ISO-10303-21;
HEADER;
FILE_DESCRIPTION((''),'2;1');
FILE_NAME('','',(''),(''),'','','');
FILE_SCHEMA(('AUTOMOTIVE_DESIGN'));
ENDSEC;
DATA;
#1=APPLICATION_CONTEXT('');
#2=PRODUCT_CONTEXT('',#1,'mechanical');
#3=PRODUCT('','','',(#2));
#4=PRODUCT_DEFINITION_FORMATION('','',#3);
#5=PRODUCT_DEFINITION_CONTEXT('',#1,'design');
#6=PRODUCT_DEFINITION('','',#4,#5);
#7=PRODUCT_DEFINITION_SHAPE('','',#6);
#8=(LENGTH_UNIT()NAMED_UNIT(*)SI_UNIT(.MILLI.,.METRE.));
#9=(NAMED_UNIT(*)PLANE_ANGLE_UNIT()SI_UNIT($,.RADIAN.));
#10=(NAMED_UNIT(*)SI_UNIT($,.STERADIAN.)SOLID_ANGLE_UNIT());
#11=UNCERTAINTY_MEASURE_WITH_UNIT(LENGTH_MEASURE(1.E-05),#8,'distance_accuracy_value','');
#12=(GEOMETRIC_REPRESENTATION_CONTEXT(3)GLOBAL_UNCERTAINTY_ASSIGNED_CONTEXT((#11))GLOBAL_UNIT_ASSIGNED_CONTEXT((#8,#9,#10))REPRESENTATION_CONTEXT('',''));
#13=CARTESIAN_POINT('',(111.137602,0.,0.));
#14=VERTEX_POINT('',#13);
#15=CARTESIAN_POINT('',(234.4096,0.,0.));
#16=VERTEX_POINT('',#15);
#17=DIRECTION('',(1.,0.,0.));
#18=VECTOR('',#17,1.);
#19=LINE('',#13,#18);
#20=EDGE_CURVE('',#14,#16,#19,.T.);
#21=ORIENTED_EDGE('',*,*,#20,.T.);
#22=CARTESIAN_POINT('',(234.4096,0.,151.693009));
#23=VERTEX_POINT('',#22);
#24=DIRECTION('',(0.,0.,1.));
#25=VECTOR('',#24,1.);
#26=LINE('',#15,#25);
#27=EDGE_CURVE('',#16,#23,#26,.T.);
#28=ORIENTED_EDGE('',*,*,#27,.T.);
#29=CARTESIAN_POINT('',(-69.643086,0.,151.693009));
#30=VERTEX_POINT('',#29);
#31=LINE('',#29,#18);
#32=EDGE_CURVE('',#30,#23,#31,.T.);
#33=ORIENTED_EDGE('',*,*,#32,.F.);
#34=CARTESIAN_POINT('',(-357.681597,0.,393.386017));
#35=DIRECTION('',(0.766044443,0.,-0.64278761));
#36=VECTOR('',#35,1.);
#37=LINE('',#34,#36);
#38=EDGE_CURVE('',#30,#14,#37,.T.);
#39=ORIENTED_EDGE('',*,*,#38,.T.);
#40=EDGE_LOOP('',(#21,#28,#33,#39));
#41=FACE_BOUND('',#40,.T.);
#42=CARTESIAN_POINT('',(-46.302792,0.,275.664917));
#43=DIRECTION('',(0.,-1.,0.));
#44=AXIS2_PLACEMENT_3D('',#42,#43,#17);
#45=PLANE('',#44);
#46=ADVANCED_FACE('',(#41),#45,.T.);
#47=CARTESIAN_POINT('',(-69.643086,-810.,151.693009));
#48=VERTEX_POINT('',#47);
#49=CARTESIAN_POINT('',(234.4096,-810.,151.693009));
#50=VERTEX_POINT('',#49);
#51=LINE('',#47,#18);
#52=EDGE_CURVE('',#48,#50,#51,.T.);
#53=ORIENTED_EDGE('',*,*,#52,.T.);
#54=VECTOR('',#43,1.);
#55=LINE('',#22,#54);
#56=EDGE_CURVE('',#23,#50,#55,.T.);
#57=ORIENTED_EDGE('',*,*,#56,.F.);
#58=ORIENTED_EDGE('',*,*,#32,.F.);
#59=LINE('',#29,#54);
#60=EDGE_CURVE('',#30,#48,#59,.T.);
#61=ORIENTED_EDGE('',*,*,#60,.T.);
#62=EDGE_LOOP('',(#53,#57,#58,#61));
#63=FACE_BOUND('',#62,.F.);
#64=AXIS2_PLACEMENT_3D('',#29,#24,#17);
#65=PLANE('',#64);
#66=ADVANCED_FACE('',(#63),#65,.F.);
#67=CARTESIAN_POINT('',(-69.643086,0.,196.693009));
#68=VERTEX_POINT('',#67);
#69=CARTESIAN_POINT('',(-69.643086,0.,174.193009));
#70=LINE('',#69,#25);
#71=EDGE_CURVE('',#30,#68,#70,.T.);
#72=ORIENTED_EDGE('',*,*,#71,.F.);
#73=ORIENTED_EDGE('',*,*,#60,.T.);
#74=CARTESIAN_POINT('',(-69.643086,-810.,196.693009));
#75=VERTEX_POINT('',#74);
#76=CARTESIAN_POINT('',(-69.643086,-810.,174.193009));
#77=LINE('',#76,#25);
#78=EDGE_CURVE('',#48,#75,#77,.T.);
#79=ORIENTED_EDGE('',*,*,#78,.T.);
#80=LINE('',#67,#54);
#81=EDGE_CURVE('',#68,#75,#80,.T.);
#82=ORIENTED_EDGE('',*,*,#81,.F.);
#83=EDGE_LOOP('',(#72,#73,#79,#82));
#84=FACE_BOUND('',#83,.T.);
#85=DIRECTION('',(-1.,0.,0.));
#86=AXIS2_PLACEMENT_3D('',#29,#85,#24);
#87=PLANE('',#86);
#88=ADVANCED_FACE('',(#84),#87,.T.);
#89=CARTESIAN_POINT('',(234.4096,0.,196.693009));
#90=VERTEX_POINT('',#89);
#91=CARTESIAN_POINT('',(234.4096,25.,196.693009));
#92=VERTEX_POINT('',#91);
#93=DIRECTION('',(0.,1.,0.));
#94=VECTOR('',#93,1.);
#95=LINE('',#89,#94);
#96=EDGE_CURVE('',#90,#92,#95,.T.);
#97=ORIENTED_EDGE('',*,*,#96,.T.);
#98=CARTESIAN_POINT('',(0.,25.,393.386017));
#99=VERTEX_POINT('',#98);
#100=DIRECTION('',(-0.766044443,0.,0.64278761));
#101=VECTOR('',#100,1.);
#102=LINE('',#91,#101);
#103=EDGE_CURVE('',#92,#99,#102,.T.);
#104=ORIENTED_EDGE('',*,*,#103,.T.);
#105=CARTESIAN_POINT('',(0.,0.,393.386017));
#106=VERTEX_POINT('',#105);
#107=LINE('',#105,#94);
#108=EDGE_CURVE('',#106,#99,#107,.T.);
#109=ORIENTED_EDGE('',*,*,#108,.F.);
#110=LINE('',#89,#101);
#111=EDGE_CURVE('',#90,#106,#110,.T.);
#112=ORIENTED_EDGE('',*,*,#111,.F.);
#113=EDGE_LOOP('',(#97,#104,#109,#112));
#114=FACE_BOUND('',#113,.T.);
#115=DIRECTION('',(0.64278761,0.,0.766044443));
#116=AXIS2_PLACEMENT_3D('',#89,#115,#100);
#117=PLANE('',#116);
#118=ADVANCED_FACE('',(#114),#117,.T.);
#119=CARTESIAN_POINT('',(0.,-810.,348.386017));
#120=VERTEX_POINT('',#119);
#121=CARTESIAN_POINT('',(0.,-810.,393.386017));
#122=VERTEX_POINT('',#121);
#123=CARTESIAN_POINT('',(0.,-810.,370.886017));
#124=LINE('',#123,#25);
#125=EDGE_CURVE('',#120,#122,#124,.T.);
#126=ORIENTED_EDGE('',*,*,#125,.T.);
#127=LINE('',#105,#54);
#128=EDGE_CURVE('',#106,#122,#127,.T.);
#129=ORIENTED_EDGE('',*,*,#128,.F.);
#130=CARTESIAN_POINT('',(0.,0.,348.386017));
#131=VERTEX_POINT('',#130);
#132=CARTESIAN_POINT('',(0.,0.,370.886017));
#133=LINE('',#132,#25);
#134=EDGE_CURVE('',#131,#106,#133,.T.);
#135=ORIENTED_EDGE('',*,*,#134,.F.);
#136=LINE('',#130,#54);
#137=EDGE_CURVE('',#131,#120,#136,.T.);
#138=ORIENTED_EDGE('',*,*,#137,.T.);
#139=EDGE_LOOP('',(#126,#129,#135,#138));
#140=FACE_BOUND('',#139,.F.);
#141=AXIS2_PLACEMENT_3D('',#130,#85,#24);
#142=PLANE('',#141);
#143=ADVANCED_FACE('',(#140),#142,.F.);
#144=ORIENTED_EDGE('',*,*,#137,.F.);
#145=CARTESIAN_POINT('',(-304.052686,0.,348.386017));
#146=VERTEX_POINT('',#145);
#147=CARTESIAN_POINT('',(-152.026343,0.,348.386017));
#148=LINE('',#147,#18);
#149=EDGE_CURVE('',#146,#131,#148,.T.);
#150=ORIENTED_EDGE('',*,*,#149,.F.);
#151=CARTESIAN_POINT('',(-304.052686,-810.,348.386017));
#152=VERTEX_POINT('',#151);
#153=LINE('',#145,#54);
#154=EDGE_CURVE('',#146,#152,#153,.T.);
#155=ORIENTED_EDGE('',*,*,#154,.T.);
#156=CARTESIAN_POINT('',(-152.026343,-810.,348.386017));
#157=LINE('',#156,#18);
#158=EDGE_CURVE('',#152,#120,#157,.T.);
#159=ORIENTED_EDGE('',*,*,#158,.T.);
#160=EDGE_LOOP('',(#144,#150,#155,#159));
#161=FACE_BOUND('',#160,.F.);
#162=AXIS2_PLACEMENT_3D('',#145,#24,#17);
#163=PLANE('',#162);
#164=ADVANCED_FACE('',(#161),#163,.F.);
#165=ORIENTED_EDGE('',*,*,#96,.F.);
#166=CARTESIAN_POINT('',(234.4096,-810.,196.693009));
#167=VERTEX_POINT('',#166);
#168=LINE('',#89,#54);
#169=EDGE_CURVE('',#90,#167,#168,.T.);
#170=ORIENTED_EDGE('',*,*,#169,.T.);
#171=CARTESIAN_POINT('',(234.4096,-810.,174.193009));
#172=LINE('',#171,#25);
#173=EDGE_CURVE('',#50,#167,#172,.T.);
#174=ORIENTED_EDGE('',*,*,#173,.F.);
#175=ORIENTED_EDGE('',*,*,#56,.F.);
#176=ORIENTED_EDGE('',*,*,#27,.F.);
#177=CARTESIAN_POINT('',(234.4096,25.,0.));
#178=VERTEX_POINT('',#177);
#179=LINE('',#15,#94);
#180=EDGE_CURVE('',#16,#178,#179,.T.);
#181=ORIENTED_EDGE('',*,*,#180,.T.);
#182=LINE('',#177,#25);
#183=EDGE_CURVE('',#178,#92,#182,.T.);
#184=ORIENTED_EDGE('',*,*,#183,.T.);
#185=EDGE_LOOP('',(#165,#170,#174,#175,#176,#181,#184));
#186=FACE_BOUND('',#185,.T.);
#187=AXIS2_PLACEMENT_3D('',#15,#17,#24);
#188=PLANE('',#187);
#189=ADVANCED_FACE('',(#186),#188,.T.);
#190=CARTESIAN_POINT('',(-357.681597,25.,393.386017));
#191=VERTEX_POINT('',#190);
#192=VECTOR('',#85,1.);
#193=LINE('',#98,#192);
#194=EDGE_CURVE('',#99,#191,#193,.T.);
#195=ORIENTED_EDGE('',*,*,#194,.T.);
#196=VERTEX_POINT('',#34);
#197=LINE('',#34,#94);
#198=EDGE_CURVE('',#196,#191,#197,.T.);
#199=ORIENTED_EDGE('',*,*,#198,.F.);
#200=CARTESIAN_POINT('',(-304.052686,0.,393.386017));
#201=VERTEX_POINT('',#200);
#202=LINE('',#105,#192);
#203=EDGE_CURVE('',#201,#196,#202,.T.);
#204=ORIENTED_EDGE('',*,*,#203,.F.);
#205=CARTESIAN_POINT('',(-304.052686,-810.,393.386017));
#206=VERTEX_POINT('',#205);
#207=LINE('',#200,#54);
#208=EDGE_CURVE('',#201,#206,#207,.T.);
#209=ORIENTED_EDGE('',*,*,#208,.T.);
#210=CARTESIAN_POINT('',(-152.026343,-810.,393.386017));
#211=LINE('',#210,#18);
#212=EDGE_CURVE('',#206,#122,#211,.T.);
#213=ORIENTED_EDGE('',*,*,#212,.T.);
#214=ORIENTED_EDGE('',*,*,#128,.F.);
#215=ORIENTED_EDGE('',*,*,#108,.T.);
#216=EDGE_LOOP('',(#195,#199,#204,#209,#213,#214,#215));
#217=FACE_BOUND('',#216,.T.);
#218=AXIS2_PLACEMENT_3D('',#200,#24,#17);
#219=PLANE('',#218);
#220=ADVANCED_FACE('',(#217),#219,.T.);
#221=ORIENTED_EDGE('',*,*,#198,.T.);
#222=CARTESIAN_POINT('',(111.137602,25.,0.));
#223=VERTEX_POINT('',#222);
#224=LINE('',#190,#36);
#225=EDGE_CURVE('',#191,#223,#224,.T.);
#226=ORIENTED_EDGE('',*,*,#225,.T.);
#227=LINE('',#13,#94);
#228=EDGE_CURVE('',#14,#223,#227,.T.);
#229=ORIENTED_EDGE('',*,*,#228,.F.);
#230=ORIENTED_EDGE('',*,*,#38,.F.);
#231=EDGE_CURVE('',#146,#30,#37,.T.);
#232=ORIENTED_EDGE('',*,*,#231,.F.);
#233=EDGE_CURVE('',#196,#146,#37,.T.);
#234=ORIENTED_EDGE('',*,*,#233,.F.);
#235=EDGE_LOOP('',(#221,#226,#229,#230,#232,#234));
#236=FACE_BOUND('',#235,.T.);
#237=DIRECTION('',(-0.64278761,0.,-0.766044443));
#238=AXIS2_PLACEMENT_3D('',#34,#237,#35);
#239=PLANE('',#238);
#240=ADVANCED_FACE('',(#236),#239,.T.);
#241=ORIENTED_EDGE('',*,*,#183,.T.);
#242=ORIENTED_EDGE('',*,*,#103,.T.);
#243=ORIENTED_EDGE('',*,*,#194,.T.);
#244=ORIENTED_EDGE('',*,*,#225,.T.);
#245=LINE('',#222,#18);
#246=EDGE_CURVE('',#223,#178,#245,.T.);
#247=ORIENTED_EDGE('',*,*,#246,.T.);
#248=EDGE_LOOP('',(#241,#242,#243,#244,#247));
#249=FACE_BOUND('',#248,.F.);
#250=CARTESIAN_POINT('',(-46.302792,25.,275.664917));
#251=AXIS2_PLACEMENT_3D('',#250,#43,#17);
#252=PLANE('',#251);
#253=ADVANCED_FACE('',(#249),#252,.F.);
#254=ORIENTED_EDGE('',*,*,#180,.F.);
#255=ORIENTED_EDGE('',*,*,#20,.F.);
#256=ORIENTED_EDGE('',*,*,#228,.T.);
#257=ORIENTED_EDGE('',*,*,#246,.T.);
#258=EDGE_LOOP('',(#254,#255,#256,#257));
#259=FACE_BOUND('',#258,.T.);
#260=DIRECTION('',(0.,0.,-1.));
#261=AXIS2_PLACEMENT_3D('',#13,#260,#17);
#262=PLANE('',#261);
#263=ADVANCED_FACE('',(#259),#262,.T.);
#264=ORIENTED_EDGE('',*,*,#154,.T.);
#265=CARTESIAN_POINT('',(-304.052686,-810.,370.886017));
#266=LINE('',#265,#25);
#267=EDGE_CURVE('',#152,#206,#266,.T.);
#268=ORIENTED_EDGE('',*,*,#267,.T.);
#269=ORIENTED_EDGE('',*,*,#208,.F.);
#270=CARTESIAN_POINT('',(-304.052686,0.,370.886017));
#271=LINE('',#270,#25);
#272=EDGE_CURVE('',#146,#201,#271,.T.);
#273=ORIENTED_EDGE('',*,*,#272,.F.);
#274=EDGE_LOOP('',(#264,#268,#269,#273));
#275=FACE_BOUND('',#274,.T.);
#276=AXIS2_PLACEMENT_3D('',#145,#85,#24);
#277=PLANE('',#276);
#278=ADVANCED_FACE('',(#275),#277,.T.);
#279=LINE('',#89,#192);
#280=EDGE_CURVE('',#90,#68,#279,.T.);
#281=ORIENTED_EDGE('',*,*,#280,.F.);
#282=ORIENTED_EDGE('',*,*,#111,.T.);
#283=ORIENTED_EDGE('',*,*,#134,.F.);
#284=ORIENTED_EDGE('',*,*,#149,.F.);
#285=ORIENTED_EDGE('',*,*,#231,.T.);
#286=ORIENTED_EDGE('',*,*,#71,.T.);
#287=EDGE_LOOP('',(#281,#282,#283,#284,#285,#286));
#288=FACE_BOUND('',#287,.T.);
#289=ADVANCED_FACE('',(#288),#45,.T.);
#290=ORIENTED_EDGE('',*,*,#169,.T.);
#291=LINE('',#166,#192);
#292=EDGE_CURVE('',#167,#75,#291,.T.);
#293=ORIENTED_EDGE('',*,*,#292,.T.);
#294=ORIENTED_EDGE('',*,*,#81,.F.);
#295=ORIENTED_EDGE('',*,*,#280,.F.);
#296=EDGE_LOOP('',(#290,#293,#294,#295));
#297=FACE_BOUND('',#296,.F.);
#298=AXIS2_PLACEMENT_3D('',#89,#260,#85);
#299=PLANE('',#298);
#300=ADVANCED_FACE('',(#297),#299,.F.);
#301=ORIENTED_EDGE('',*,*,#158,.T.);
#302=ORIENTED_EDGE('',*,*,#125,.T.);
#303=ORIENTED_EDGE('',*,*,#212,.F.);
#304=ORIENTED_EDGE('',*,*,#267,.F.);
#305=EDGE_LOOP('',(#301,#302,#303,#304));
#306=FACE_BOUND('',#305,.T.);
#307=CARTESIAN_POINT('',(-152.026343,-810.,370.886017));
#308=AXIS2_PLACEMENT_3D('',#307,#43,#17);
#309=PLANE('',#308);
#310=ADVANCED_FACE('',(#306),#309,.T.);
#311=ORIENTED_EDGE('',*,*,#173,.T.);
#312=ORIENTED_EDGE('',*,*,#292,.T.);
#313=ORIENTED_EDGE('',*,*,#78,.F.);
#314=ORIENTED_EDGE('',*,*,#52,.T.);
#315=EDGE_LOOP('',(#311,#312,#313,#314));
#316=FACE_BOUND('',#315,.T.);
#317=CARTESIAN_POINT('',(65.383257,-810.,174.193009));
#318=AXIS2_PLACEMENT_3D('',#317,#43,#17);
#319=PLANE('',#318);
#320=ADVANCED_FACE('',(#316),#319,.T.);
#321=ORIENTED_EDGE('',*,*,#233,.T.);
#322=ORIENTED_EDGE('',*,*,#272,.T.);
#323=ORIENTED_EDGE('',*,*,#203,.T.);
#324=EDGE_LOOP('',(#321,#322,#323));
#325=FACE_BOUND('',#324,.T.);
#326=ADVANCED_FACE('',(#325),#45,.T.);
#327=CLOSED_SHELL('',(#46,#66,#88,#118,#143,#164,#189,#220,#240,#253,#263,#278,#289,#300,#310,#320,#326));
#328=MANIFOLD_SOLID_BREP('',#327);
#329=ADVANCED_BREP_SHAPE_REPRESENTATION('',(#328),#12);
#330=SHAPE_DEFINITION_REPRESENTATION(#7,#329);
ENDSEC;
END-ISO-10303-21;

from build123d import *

# Parameters (mm, degrees)
F0_W     = 34
F0_H     = 45
F0_W_2   = 270.0526856103
F0_W_3   = 304.0526856103
F0_H_2   = 151.6930085641
F1_DEPTH = 25
F2_DEPTH = 810


with BuildPart() as f1:
    # F0 (on Front) → F1 (new body)
    with BuildSketch(Plane.XZ):
        Polygon((-304.0526856103, 348.3860171282), (-123.2719976826, 196.6930085641), (-69.6430860159, 196.6930085641), (200.4095995944, 196.6930085641), (200.4095995944, 225.2223960241), (53.6289116667, 348.3860171282), (0, 348.3860171282), align=None)
        Polygon((-357.681597277, 393.3860171282), (-304.0526856103, 348.3860171282), (-304.0526856103, 393.3860171282), align=None)
        Polygon((0, 393.3860171282), (0, 348.3860171282), (53.6289116667, 348.3860171282), align=None)
        with Locations((217.4095995944, 174.1930085641)):
            Rectangle(F0_W, F0_H)
        Polygon((-69.6430860159, 151.6930085641), (111.1376019118, 0), (200.4095995944, 0), (200.4095995944, 151.6930085641), align=None)
        with Locations((65.3832567893, 174.1930085641)):
            Rectangle(F0_W_2, F0_H)
        Polygon((-123.2719976826, 196.6930085641), (-69.6430860159, 151.6930085641), (-69.6430860159, 196.6930085641), align=None)
        with Locations((-152.0263428052, 370.8860171282)):
            Rectangle(F0_W_3, F0_H)
        with Locations((217.4095995944, 75.846504282)):
            Rectangle(F0_W, F0_H_2)
        Polygon((200.4095995944, 225.2223960241), (200.4095995944, 196.6930085641), (234.4095995944, 196.6930085641), align=None)
    extrude(amount=-F1_DEPTH)

    # F0 (on Front) → F2 (join)
    with BuildSketch(Plane.XZ):
        with Locations((-152.0263428052, 370.8860171282)):
            Rectangle(F0_W_3, F0_H)
        with Locations((65.3832567893, 174.1930085641)):
            Rectangle(F0_W_2, F0_H)
        with Locations((217.4095995944, 174.1930085641)):
            Rectangle(F0_W, F0_H)
    extrude(amount=F2_DEPTH)


solid = f1.part
